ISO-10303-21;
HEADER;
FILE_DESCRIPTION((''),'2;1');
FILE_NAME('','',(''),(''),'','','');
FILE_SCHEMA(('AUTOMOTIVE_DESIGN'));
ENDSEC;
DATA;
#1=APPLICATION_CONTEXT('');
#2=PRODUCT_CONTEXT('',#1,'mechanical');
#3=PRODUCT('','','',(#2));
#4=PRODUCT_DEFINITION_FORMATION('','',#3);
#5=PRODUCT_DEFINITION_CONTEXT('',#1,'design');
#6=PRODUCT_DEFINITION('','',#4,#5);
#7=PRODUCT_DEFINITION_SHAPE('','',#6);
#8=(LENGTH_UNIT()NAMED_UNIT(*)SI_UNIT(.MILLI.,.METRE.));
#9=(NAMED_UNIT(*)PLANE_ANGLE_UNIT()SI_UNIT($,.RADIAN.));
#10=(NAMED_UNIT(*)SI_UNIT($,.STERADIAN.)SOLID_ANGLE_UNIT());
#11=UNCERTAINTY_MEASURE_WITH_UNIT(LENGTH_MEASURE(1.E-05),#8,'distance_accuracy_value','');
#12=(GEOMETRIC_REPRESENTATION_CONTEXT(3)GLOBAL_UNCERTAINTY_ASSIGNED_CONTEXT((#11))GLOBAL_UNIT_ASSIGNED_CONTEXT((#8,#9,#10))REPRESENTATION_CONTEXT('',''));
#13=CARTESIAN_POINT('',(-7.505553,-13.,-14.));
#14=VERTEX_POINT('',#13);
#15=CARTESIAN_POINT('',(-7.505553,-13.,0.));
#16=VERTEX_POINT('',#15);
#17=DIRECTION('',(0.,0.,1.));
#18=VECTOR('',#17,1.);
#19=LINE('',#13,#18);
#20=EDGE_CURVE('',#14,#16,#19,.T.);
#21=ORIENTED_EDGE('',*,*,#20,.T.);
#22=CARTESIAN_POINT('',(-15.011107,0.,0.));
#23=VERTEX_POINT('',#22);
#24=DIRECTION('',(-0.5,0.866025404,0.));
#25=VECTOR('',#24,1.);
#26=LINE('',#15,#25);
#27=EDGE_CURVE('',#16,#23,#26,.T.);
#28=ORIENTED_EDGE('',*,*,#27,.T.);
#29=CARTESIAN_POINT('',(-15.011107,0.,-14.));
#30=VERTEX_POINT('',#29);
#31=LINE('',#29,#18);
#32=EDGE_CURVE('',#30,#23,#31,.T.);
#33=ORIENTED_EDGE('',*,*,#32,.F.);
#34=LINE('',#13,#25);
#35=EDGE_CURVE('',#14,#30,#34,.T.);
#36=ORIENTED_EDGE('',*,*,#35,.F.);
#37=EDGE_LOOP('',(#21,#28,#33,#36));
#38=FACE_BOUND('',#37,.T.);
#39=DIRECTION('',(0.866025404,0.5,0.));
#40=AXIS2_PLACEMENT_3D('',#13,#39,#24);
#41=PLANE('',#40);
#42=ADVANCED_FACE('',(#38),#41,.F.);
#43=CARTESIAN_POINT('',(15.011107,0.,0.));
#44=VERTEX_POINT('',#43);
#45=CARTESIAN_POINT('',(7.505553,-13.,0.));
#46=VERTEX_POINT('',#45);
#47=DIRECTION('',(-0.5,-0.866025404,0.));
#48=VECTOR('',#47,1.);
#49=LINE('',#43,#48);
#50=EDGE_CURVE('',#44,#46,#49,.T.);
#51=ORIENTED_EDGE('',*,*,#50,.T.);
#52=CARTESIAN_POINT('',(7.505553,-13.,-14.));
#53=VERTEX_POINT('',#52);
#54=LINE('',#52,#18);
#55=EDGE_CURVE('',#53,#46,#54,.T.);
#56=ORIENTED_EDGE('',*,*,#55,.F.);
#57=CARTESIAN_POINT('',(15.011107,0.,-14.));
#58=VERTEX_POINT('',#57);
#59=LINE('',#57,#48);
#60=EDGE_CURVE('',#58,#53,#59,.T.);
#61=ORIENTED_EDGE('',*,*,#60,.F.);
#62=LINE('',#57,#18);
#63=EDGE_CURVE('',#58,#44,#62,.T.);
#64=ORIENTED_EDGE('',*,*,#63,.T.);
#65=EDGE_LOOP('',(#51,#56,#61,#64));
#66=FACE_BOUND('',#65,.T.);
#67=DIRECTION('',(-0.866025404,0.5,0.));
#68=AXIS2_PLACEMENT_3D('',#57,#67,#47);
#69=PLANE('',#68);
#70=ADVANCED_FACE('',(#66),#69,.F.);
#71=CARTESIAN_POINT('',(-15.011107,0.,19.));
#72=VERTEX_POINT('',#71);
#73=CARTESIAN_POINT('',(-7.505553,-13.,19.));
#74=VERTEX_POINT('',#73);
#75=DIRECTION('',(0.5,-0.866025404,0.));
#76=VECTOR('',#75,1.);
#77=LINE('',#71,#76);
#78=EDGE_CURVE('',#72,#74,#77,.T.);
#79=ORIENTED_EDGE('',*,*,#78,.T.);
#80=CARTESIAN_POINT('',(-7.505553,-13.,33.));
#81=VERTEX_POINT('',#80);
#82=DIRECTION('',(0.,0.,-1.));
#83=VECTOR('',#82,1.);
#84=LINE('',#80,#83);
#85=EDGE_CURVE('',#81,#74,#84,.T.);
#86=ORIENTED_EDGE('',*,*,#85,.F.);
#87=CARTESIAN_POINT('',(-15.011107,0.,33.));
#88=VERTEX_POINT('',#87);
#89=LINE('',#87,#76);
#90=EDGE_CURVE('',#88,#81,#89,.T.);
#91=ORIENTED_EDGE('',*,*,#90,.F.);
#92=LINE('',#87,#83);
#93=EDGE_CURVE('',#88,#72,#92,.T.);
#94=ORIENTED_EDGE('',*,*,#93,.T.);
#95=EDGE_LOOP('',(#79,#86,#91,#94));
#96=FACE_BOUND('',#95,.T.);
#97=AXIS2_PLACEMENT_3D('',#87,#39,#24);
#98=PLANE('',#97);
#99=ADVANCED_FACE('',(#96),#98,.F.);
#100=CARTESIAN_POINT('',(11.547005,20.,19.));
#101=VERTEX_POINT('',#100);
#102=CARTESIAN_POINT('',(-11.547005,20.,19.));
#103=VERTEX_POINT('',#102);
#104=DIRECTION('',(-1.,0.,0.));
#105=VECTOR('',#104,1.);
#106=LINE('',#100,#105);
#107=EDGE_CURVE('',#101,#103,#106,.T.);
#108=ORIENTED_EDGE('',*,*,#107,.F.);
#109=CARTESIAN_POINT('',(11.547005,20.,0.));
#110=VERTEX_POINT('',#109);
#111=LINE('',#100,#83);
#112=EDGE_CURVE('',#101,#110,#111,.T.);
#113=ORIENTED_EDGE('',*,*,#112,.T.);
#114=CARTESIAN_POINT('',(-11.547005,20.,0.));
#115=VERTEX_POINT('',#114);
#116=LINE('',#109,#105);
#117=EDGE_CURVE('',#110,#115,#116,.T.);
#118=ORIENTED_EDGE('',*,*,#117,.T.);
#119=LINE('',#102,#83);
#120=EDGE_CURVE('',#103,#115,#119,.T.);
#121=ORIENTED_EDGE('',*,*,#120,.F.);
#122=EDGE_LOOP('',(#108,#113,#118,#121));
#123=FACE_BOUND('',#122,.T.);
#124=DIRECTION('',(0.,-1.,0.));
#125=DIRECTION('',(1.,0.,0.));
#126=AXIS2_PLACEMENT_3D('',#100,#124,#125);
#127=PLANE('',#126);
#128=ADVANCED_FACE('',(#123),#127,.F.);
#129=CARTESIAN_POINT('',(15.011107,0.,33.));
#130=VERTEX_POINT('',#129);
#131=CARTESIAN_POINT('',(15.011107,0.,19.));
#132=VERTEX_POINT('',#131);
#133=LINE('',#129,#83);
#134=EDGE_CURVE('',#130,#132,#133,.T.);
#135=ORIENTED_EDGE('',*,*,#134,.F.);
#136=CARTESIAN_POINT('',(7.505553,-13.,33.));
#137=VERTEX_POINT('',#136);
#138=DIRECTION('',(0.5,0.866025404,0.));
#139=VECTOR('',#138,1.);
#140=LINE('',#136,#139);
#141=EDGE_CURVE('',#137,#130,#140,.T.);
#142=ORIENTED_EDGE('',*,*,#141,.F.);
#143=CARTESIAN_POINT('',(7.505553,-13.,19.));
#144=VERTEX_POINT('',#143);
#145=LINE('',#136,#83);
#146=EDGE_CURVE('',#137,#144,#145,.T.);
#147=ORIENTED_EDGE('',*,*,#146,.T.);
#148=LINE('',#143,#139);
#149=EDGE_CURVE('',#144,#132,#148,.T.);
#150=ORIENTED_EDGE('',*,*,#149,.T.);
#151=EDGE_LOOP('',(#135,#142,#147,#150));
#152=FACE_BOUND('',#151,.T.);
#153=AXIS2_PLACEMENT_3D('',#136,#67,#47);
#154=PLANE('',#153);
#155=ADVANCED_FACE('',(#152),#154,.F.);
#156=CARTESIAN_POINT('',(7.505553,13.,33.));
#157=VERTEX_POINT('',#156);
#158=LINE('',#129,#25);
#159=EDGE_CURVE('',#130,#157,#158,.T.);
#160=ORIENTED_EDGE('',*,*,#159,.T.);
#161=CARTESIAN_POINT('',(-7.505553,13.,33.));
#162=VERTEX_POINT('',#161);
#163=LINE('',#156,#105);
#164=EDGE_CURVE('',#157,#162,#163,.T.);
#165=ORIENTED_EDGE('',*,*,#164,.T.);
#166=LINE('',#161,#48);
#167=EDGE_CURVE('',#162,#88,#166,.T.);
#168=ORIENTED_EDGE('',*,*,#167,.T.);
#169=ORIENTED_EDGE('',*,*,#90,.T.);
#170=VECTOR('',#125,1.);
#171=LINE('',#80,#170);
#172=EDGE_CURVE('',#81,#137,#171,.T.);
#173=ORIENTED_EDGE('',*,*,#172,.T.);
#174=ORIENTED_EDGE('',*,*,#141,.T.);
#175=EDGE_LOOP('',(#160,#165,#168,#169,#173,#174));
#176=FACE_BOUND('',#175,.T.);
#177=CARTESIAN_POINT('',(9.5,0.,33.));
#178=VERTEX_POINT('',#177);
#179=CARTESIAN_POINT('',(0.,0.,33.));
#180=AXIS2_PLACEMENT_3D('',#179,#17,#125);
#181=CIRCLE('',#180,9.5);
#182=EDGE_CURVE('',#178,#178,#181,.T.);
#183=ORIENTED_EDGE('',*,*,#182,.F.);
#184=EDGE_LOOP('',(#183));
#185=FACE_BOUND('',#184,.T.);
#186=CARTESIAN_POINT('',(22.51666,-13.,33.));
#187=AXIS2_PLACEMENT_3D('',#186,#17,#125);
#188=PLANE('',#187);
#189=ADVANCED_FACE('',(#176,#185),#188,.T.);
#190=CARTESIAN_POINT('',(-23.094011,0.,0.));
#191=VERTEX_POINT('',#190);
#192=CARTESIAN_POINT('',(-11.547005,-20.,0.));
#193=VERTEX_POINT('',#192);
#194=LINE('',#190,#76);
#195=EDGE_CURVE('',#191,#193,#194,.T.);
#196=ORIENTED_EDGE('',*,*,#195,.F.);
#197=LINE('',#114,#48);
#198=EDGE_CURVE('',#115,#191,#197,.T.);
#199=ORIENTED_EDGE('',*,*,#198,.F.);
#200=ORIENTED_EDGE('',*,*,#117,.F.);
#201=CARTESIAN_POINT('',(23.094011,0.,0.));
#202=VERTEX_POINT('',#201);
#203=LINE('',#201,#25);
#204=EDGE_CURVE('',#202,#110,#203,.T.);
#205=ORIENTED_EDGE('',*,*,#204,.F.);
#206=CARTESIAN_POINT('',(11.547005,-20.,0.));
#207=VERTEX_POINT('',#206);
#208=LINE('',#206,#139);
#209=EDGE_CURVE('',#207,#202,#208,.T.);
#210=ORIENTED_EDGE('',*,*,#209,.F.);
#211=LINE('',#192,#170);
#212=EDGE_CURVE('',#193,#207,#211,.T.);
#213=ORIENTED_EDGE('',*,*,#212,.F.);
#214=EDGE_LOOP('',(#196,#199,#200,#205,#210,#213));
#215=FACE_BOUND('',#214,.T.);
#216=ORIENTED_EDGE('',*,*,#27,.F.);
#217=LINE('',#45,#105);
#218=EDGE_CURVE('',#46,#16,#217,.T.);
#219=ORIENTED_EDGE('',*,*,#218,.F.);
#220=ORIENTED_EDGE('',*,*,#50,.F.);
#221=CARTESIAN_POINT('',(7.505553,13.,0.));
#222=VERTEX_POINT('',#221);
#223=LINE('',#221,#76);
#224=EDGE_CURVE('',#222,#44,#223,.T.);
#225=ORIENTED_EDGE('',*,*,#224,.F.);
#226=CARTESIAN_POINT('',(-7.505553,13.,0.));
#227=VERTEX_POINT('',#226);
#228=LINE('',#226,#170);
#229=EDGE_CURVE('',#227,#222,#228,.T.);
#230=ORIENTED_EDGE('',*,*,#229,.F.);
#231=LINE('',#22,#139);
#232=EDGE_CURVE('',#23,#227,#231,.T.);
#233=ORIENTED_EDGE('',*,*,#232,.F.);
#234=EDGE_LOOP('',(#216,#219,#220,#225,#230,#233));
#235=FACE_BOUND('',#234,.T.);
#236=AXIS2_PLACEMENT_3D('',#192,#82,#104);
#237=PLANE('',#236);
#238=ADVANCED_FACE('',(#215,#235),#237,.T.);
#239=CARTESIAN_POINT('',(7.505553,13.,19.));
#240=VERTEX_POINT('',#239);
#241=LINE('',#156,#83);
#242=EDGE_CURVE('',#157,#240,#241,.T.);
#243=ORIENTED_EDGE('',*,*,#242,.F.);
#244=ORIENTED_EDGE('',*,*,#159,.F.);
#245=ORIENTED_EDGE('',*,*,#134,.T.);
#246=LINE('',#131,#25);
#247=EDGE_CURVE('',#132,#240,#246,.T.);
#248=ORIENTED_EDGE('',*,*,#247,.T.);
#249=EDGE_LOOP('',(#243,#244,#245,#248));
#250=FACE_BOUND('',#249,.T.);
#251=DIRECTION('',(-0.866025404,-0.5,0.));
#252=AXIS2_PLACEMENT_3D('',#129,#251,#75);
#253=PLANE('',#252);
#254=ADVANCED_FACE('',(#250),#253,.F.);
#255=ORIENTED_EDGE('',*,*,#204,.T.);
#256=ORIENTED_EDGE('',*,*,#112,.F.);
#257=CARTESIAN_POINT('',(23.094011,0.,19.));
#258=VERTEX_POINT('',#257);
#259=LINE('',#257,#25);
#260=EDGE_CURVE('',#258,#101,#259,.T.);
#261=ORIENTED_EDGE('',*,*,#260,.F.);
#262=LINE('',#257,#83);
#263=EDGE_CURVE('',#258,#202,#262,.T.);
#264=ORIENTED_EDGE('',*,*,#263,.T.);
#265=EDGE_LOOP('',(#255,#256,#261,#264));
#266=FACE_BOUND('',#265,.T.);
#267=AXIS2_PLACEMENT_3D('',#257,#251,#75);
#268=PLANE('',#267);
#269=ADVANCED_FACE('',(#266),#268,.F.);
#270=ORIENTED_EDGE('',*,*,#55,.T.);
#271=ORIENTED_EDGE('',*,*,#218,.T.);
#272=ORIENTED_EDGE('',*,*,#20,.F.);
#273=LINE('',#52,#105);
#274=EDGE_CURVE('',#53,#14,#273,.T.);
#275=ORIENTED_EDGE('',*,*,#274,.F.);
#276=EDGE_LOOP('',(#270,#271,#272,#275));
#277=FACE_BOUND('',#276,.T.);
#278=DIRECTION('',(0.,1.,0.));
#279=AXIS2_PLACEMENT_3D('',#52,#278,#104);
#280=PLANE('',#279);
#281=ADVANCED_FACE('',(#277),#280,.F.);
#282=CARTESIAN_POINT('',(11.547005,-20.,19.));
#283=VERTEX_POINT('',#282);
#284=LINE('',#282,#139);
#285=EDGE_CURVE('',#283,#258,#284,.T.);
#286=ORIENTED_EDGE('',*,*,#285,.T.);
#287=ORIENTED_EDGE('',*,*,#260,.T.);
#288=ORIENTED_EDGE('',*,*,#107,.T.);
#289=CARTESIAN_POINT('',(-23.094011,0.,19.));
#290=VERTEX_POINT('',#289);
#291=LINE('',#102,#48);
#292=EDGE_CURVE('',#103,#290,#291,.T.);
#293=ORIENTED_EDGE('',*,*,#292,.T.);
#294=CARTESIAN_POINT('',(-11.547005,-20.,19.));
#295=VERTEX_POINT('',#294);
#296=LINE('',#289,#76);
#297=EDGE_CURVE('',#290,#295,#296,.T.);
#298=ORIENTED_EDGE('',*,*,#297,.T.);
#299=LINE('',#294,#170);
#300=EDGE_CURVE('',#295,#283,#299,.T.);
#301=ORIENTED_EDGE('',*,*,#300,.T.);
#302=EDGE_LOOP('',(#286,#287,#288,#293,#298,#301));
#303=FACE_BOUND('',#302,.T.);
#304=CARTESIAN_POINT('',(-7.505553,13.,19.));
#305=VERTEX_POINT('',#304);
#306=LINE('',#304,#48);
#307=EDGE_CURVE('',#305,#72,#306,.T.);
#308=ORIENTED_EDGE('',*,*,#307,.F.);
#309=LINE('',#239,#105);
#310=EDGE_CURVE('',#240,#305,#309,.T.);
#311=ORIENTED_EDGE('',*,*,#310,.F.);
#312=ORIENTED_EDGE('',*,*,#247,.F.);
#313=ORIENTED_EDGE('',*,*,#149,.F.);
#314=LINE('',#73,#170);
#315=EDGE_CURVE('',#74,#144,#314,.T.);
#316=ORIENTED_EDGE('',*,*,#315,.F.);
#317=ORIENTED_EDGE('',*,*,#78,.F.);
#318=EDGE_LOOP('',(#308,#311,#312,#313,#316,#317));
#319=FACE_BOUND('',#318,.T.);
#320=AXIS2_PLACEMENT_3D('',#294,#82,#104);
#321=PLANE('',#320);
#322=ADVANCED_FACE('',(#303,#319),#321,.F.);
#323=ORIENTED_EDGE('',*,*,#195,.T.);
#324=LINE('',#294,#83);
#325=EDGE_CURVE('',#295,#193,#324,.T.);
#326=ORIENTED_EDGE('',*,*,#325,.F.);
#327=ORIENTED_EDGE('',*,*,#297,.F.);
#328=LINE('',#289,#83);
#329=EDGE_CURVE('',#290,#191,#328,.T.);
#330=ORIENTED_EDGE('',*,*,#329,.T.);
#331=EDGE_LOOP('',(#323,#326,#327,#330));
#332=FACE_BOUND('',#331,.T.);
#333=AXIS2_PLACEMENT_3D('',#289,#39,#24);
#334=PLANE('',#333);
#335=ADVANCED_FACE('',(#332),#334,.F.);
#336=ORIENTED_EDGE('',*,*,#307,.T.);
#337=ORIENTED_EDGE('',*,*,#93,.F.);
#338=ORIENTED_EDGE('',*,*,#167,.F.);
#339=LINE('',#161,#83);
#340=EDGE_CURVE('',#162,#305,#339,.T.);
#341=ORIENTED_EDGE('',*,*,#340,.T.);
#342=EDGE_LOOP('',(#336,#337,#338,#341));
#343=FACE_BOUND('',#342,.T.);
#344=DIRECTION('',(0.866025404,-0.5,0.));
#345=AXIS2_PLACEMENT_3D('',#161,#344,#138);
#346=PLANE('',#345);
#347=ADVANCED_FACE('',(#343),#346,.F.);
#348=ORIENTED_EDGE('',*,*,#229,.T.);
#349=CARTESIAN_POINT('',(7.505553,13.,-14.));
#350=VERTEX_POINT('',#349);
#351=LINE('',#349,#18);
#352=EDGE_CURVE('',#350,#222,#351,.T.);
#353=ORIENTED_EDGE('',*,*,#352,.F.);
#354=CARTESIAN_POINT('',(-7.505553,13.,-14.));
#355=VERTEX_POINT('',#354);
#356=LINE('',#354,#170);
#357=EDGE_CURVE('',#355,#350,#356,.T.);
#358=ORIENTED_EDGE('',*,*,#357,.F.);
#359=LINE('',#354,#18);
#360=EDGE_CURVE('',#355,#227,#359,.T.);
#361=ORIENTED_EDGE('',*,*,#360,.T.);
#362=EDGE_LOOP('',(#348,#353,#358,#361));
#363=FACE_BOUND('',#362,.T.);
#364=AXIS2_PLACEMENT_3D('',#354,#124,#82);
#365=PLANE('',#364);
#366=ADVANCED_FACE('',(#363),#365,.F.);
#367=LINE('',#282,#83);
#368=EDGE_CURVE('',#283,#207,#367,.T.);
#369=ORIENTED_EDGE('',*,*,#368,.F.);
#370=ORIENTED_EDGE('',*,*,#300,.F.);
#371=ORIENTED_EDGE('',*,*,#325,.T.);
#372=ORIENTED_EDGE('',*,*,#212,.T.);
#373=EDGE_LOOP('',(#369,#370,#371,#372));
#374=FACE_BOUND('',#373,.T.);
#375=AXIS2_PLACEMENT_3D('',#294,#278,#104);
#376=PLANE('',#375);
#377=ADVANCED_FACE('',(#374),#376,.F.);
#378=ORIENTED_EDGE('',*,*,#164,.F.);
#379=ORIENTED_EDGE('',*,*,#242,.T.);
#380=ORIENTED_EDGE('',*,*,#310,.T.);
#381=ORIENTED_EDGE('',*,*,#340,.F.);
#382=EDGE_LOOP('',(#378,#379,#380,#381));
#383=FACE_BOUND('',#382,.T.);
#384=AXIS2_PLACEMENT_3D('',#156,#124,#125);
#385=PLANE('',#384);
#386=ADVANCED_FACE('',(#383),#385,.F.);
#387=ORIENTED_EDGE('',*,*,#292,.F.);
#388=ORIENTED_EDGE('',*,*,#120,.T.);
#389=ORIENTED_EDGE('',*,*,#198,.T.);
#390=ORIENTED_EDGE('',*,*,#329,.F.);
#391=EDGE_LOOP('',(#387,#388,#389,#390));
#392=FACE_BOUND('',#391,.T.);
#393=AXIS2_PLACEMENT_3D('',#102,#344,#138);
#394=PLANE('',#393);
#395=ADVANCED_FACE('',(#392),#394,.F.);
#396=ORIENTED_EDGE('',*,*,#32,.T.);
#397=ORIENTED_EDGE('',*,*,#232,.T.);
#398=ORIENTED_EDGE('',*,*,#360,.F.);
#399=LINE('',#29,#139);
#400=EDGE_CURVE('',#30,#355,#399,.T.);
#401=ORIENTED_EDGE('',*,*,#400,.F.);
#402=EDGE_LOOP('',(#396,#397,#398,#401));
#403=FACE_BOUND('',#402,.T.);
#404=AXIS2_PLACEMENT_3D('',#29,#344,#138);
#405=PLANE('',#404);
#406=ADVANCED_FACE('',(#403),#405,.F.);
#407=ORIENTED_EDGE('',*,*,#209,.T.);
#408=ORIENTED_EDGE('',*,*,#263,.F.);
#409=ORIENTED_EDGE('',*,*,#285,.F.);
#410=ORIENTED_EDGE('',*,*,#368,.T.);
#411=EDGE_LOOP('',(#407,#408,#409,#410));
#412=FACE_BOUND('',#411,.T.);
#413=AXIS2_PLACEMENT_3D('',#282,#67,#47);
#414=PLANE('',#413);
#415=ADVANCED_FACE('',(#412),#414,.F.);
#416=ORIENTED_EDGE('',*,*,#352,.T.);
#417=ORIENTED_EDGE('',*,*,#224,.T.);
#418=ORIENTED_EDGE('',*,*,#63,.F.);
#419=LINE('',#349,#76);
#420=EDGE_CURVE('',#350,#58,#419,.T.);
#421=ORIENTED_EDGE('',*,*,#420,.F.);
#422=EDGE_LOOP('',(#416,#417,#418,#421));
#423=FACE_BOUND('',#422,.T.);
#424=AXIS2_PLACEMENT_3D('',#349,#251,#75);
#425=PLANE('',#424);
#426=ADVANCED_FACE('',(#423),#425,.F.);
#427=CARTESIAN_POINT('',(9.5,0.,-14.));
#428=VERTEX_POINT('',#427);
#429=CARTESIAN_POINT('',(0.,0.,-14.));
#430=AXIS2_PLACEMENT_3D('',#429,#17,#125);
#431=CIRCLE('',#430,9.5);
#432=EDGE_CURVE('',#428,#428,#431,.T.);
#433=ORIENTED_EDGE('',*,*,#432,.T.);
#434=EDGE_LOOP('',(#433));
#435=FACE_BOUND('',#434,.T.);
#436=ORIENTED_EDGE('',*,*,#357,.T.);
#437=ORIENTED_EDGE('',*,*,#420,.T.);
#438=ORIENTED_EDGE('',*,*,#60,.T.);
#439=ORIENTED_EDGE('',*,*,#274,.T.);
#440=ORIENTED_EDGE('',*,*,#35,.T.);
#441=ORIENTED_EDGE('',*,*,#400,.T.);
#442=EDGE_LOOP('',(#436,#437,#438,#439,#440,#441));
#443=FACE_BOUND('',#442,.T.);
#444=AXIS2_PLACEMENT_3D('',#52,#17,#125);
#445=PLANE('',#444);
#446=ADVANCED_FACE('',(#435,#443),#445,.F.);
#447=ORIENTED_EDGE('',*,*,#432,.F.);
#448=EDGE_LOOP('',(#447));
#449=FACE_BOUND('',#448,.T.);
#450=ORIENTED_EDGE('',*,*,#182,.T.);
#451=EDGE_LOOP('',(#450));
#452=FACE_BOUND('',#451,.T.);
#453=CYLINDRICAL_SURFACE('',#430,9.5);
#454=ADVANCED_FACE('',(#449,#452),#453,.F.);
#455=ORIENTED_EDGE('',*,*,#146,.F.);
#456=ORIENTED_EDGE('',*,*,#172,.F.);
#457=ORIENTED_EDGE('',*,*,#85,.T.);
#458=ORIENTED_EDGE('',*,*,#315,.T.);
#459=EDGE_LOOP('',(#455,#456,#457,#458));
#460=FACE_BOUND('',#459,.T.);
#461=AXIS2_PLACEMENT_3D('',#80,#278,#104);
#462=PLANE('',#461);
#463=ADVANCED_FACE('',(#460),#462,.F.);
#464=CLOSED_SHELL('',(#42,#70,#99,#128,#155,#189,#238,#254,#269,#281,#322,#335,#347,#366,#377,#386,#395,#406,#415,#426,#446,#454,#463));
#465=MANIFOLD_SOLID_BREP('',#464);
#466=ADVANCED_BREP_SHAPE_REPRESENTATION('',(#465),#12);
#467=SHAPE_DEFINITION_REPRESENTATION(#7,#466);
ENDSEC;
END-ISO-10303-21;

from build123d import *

# Parameters (mm, degrees)
BASIS_LINEAR_AUSTRAGEN_DEPTH    = 19
AUFSATZ_LINEAR_AUSTRAGEN1_DEPTH = 14
AUFSATZ_LINEAR_AUSTRAGEN2_DEPTH = 14
SKIZZE4_R                       = 9.5
SCHNITT_LINEAR_AUSTRAGEN1_DEPTH = 57.056519098


with BuildPart() as part:
    # Skizze1 → Basis-Linear austragen (new body)
    with BuildSketch(Plane.XY):
        Polygon((11.547005384, -20), (23.094010768, 0), (11.547005384, 20), (-11.547005384, 20), (-23.094010768, 0), (-11.547005384, -20), align=None)
    extrude(amount=BASIS_LINEAR_AUSTRAGEN_DEPTH)

    # Skizze2 → Aufsatz-Linear austragen1 (add)
    with BuildSketch(Plane.XY.offset(19)):
        Polygon((7.505553499, -13), (15.011106999, 0), (7.505553499, 13), (-7.505553499, 13), (-15.011106999, 0), (-7.505553499, -13), align=None)
    extrude(amount=AUFSATZ_LINEAR_AUSTRAGEN1_DEPTH)

    # Skizze3 → Aufsatz-Linear austragen2 (add)
    with BuildSketch(Plane(origin=(0, 0, 0), x_dir=(-1, 0, 0), z_dir=(0, 0, -1))):
        Polygon((7.505553499, -13), (15.011106999, 0), (7.505553499, 13), (-7.505553499, 13), (-15.011106999, 0), (-7.505553499, -13), align=None)
    extrude(amount=AUFSATZ_LINEAR_AUSTRAGEN2_DEPTH)

    # Skizze4 → Schnitt-Linear austragen1 (cut, through all)
    with BuildSketch(Plane.XY.offset(33)):
        Circle(SKIZZE4_R)
    extrude(amount=-SCHNITT_LINEAR_AUSTRAGEN1_DEPTH, mode=Mode.SUBTRACT)


solid = part.part
